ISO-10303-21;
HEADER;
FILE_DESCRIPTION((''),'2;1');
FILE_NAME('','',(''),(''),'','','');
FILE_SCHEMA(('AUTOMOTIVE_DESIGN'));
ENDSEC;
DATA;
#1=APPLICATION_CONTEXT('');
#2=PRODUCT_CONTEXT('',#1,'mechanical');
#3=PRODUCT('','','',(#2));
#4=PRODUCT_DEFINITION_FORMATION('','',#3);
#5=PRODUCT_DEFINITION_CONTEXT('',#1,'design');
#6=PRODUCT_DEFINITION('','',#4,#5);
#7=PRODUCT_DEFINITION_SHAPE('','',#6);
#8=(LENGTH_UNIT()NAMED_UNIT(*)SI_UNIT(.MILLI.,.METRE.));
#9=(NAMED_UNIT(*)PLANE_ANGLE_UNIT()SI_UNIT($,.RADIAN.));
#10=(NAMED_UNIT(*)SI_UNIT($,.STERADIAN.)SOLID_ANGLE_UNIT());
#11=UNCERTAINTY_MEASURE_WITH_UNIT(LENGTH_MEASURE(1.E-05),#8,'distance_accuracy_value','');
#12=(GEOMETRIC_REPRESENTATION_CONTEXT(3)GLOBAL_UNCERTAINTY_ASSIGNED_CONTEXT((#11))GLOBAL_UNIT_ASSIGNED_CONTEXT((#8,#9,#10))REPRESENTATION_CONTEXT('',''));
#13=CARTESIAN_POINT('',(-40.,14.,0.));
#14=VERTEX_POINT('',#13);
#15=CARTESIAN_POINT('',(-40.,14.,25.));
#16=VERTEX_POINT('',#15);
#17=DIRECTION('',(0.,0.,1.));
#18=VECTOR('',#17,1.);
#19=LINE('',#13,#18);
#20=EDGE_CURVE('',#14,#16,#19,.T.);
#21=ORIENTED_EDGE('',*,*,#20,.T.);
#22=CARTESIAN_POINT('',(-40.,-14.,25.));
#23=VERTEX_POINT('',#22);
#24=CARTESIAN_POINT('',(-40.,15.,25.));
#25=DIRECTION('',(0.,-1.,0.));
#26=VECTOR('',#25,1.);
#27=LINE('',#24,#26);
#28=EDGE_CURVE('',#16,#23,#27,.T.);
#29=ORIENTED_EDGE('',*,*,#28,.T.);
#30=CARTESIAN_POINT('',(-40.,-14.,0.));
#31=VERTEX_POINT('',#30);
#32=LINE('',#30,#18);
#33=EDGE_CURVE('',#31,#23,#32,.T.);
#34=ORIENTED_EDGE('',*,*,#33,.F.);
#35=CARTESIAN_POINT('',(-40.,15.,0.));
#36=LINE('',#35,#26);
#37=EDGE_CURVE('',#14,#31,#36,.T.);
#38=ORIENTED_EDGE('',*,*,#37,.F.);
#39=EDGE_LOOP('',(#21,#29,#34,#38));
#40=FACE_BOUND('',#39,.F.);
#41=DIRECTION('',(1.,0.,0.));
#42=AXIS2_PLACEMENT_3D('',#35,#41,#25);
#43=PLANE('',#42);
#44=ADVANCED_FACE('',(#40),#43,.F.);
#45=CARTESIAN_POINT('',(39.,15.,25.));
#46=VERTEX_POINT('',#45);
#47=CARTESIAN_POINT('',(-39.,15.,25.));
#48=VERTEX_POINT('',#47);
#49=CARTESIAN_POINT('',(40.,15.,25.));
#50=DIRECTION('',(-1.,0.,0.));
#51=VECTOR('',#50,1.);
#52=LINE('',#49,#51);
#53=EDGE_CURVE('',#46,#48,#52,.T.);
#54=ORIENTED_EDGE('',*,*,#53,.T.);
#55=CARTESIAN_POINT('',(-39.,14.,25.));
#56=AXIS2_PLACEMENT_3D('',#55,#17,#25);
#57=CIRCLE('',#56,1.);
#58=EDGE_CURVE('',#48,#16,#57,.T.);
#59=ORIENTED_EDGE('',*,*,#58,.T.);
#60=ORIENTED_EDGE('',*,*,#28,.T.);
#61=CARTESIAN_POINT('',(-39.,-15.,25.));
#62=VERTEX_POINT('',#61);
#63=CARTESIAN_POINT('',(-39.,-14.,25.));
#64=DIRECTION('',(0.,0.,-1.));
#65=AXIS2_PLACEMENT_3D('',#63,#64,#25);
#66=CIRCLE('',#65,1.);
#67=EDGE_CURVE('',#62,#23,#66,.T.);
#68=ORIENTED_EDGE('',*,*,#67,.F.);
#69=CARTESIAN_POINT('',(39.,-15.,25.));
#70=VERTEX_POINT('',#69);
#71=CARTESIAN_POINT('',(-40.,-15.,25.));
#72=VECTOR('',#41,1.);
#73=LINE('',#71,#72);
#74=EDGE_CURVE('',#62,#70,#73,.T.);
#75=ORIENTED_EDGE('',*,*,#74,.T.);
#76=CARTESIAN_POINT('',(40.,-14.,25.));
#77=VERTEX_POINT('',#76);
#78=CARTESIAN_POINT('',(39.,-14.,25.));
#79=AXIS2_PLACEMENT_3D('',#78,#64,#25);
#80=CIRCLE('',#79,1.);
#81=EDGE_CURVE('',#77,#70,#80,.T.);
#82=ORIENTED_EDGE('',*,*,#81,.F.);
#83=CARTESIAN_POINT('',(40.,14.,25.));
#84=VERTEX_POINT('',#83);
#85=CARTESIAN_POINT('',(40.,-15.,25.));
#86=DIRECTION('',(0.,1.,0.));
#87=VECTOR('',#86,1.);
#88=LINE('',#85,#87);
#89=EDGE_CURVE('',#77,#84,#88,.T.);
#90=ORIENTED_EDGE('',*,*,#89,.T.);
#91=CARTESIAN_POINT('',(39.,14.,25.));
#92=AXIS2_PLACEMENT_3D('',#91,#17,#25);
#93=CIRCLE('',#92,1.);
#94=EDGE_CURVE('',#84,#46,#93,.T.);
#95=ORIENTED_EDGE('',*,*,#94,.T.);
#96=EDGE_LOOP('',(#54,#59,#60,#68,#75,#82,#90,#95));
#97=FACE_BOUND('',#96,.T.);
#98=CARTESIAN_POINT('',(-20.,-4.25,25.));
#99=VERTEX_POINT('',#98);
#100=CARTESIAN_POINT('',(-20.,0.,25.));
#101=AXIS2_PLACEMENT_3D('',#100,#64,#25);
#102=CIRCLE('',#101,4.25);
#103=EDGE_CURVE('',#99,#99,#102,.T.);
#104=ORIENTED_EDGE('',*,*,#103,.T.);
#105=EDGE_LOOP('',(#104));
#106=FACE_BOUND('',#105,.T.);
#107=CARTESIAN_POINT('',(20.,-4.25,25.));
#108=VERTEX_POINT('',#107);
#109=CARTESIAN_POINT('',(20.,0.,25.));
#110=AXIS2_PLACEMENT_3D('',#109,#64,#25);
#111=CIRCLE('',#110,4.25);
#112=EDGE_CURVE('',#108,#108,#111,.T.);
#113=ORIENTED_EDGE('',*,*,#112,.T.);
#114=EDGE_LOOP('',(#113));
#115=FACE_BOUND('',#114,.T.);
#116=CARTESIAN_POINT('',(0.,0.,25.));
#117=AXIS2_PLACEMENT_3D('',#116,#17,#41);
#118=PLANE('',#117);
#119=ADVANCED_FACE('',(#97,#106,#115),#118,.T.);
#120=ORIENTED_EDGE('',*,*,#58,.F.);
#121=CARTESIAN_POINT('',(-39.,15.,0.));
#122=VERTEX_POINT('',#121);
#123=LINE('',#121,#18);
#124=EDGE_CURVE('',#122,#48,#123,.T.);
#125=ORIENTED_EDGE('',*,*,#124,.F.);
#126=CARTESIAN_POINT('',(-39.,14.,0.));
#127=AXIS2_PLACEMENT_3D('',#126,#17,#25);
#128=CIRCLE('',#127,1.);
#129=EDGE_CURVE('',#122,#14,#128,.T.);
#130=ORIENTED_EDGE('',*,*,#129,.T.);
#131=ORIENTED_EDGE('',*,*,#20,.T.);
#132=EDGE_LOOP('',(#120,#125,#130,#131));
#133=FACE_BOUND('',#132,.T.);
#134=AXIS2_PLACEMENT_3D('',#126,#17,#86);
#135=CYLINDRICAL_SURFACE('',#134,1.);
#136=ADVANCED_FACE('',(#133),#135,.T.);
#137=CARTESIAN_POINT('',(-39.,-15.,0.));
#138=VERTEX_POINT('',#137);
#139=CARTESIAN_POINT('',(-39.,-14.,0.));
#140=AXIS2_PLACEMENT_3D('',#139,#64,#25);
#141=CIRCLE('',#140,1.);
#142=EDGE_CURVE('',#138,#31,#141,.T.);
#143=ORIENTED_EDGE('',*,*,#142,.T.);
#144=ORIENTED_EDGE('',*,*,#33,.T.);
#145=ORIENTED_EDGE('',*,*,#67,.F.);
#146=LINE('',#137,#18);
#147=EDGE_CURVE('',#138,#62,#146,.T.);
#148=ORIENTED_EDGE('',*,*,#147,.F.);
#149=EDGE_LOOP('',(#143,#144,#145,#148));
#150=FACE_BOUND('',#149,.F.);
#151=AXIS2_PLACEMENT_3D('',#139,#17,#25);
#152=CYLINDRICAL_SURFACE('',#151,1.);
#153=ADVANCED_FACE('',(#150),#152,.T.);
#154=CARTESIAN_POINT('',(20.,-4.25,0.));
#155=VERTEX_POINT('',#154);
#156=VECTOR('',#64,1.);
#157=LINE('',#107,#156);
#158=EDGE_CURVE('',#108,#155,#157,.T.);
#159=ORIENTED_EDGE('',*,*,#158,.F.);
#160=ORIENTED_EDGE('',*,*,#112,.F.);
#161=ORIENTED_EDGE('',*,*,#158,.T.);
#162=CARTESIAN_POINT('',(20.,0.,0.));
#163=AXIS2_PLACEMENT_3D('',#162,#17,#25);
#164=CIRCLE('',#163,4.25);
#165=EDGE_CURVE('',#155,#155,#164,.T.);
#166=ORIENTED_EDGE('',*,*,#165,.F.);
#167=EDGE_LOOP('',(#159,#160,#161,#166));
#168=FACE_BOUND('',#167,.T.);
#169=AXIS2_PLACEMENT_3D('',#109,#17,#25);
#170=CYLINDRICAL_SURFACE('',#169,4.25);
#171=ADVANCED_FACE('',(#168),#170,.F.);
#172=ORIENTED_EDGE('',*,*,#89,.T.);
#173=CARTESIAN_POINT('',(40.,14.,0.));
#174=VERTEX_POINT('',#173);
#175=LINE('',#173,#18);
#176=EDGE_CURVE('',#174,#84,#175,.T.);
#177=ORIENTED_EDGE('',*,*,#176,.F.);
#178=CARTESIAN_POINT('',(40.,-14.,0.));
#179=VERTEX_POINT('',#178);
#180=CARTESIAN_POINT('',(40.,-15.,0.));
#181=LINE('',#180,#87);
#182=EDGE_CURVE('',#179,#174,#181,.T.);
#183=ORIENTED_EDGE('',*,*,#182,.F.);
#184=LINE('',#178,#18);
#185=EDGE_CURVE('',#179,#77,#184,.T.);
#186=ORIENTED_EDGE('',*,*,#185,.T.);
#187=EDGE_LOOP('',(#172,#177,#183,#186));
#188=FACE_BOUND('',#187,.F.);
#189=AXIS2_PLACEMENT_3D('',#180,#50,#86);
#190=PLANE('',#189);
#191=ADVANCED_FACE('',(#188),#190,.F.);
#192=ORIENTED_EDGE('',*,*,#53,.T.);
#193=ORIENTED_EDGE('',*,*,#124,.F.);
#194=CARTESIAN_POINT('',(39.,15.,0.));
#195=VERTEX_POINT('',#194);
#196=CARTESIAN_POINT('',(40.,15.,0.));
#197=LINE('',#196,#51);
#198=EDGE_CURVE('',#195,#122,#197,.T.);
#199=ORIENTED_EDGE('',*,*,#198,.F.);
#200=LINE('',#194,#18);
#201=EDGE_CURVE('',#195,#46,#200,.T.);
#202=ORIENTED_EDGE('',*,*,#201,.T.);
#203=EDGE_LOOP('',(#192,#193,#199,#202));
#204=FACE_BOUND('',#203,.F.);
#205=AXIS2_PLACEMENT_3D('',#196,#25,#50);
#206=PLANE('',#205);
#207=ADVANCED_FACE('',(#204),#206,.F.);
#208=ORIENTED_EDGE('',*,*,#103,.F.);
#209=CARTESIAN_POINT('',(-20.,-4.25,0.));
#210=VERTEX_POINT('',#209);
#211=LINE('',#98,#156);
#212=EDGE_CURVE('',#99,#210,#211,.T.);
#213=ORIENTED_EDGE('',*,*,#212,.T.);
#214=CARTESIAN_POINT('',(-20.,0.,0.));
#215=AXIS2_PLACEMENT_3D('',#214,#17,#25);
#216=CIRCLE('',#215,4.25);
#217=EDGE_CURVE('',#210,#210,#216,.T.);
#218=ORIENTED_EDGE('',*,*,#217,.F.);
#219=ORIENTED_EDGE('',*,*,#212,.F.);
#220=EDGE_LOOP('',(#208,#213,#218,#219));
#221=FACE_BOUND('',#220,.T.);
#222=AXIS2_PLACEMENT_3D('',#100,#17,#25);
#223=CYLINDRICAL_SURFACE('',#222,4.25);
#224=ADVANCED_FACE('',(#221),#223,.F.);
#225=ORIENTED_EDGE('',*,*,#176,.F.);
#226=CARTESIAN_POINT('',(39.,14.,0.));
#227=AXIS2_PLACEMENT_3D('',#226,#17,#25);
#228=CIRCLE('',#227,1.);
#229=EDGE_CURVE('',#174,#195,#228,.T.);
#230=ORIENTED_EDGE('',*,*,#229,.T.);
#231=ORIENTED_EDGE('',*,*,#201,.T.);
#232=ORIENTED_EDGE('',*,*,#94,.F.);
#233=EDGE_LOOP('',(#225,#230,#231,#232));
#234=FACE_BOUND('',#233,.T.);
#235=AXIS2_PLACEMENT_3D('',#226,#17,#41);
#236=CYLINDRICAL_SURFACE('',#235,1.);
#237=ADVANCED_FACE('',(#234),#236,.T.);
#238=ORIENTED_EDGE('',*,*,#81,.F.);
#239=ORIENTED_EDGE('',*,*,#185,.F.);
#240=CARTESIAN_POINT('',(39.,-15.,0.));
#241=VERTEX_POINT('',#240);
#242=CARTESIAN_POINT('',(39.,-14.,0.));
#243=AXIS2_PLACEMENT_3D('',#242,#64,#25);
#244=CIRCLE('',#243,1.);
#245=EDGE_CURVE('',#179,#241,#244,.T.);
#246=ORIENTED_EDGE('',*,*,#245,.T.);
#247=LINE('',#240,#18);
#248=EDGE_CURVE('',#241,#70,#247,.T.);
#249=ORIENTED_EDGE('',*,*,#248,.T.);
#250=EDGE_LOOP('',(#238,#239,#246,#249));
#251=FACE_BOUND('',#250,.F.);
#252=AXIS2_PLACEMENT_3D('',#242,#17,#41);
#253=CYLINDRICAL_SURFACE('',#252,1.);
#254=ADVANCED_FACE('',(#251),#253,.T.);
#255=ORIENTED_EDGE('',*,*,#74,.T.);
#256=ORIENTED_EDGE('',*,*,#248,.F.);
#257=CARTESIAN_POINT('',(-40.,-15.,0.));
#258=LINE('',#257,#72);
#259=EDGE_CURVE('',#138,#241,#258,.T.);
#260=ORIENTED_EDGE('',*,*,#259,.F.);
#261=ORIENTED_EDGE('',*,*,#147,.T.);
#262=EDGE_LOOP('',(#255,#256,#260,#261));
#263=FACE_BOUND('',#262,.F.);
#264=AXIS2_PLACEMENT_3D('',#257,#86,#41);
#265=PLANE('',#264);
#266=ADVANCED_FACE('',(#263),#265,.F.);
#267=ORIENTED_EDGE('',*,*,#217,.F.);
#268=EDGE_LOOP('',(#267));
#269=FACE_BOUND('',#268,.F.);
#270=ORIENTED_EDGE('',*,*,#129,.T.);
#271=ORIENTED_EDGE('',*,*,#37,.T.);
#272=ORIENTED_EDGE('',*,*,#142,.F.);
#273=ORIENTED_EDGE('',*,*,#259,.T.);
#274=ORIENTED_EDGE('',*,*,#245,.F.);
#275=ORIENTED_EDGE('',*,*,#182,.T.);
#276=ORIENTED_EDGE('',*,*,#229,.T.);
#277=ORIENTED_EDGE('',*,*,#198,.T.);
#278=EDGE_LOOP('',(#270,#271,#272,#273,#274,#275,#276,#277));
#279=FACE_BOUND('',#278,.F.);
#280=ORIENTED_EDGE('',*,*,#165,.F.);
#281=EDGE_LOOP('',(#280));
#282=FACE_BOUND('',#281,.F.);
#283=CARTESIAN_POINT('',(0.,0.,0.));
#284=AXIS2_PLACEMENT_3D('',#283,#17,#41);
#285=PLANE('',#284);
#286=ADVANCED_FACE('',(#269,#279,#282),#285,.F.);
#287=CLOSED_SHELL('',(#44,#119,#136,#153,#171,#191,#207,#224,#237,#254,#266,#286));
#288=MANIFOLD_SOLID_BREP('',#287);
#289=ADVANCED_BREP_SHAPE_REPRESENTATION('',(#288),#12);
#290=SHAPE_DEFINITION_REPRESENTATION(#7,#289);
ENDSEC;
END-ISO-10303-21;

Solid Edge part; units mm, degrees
sketch "Sketch1" plane through (0, 0, 0) normal (0, 0, 1) x (1, 0, 0)
  line L0 (40, -15) -> (40, 15)
  line L1 (40, 15) -> (-40, 15)
  line L2 (-40, 15) -> (-40, -15)
  line L3 (-40, -15) -> (40, -15)
extrude "Protrusion1" add sketch "Sketch1" along normal blind 25
hole "Bohrung_1" at (-20, 0, 25) direction (0, 0, -1) diameter 8.5 end through all
hole "Hole1" at (20, 0, 25) direction (0, 0, -1) diameter 8.5 end through all
fillet "Verrundung_1" radius 1 4 edges at (-40, 15, 12.5) (-40, -15, 12.5) (40, -15, 12.5) (40, 15, 12.5)
